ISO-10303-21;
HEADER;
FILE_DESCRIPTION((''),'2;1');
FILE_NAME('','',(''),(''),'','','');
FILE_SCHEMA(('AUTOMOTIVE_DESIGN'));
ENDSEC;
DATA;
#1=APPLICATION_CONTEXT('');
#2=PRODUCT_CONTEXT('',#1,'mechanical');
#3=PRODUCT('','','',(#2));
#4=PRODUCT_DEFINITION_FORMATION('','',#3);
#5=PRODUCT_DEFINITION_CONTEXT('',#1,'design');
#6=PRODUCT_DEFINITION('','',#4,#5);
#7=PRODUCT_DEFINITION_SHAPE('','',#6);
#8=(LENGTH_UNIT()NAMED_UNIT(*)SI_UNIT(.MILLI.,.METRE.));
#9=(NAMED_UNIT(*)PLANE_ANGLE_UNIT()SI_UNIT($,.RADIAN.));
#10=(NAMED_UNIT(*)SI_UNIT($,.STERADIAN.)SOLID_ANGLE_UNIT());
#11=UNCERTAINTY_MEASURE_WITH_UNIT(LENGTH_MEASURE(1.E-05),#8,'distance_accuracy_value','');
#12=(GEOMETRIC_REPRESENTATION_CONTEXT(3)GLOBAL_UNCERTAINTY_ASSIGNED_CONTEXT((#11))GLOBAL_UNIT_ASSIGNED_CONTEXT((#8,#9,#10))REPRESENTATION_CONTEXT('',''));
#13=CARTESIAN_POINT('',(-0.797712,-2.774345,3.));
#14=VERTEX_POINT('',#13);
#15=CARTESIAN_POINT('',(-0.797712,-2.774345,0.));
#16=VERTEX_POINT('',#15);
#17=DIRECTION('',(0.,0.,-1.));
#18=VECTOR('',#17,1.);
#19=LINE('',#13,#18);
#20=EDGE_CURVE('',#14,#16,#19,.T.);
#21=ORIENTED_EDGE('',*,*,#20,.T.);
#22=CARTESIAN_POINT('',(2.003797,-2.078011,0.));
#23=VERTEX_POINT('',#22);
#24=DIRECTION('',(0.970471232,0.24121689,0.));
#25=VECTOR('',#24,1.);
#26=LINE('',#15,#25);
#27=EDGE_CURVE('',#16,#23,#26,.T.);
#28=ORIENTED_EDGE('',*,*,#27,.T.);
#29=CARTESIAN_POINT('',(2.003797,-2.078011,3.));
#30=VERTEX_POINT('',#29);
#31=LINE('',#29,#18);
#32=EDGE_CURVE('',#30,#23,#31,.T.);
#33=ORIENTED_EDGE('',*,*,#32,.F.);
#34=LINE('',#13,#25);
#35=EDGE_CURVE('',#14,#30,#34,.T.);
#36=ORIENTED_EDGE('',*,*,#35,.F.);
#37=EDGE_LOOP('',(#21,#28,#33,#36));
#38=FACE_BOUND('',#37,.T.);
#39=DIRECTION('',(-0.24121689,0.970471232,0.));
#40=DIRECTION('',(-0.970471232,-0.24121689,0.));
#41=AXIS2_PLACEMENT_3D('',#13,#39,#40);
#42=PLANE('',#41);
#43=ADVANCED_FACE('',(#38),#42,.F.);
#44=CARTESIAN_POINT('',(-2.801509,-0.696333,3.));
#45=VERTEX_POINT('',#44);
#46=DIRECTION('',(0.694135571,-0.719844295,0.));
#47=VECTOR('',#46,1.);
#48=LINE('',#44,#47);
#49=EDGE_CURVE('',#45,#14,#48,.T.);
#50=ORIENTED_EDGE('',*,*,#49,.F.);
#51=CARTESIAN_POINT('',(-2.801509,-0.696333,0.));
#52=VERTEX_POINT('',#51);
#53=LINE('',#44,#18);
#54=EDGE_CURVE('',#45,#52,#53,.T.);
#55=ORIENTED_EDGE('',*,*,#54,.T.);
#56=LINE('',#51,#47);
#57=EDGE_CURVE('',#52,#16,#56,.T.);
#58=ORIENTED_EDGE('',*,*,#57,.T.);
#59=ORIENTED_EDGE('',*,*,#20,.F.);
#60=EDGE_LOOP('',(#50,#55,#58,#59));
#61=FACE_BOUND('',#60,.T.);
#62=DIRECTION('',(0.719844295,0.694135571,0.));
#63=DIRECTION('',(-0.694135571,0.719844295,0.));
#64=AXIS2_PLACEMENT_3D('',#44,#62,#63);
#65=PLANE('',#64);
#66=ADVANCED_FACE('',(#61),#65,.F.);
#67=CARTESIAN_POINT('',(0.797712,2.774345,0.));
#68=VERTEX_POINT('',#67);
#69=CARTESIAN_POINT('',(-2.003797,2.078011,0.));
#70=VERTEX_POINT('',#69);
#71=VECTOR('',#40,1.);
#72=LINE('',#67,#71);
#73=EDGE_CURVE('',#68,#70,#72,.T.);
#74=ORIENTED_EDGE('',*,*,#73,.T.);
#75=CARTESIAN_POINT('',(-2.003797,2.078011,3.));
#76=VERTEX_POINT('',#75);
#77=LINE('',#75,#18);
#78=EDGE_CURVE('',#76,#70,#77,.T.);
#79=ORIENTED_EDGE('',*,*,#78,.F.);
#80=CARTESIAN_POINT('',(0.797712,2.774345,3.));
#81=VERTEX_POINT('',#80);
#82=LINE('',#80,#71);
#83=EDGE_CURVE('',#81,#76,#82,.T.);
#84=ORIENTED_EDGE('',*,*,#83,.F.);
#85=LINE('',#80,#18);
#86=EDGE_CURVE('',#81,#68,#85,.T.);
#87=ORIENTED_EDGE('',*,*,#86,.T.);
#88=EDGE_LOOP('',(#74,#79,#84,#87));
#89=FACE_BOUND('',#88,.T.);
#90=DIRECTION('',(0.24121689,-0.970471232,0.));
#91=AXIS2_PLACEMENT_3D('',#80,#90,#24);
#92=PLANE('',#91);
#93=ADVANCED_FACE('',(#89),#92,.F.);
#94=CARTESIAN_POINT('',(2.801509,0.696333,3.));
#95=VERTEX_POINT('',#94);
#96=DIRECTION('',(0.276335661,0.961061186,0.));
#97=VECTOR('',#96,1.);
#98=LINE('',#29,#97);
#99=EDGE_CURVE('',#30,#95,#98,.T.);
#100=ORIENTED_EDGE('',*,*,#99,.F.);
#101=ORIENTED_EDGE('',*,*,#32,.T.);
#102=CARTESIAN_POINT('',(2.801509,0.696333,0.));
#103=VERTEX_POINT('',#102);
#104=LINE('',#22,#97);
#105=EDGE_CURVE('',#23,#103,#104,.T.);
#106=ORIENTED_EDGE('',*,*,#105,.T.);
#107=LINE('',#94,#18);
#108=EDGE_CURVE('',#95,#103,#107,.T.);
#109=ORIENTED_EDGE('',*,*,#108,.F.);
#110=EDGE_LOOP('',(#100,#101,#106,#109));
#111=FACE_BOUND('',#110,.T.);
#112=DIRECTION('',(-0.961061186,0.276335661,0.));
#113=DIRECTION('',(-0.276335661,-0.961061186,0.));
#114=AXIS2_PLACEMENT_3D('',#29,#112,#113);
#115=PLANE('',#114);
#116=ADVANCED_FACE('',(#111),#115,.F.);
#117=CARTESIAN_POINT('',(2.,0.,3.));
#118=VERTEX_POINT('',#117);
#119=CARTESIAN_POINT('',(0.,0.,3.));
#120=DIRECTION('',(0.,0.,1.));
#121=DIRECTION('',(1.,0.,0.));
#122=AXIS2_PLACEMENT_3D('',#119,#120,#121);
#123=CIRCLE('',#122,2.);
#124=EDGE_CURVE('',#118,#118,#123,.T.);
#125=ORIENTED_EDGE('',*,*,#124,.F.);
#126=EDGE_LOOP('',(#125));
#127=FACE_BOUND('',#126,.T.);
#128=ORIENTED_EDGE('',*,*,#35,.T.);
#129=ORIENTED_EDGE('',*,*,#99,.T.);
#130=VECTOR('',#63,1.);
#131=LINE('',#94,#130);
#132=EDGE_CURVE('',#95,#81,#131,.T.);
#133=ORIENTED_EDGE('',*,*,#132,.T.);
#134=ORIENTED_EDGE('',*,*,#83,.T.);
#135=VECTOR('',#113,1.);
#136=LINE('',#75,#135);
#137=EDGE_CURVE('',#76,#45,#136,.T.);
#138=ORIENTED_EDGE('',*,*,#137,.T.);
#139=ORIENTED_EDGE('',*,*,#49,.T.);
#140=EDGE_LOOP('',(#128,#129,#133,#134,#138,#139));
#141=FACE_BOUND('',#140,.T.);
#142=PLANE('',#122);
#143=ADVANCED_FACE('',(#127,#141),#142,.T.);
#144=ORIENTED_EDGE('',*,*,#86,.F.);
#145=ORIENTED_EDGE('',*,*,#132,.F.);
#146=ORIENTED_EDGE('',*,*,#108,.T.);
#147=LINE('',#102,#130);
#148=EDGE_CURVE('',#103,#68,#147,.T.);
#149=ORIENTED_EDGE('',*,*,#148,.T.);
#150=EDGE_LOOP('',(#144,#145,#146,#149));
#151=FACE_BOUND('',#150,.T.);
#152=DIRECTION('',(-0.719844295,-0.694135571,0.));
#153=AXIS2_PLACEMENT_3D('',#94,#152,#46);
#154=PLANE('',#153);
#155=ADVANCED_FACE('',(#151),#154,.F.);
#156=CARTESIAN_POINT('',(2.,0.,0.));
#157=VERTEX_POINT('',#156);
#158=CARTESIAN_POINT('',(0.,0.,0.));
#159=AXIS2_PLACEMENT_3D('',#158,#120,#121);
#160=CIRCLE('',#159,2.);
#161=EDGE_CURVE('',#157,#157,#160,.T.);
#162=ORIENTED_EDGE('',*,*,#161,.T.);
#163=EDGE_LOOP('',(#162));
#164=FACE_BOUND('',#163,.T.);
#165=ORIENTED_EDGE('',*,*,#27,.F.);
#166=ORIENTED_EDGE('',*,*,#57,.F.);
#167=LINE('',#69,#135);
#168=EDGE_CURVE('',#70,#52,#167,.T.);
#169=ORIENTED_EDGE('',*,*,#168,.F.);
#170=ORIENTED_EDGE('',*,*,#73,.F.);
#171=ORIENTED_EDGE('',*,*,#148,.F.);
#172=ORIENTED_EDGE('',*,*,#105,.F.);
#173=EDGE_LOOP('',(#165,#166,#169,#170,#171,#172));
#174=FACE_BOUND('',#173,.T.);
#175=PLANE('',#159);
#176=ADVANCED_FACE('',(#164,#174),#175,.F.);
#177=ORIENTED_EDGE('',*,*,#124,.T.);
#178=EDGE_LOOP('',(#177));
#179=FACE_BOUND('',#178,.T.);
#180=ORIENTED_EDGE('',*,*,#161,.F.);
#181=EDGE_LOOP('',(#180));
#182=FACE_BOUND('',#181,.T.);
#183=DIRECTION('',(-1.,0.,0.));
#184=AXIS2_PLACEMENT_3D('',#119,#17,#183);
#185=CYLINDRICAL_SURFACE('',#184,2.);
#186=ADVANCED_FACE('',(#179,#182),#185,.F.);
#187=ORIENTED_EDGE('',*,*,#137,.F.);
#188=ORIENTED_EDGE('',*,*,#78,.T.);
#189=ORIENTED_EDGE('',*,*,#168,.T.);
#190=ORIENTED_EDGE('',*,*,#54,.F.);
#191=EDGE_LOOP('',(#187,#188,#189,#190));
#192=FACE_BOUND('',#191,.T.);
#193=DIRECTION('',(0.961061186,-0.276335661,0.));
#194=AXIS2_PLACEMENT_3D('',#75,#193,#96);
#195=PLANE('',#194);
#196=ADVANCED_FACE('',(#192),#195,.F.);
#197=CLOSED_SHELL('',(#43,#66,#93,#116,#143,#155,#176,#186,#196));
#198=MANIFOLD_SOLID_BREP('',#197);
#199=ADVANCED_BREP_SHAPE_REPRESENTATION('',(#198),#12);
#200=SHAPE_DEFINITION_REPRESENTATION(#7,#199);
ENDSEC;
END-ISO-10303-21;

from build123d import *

# Parameters (mm, degrees)
SKETCH1_R           = 2
BOSS_EXTRUDE1_DEPTH = 3


with BuildPart() as part:
    # Sketch1 → Boss-Extrude1 (new body)
    with BuildSketch(Plane.XY):
        Polygon((2.003796793, -2.078011489), (2.801509135, 0.696333182), (0.797712342, 2.774344671), (-2.003796793, 2.078011489), (-2.801509135, -0.696333182), (-0.797712342, -2.774344671), align=None)
        Circle(SKETCH1_R, mode=Mode.SUBTRACT)
    extrude(amount=BOSS_EXTRUDE1_DEPTH)


solid = part.part
